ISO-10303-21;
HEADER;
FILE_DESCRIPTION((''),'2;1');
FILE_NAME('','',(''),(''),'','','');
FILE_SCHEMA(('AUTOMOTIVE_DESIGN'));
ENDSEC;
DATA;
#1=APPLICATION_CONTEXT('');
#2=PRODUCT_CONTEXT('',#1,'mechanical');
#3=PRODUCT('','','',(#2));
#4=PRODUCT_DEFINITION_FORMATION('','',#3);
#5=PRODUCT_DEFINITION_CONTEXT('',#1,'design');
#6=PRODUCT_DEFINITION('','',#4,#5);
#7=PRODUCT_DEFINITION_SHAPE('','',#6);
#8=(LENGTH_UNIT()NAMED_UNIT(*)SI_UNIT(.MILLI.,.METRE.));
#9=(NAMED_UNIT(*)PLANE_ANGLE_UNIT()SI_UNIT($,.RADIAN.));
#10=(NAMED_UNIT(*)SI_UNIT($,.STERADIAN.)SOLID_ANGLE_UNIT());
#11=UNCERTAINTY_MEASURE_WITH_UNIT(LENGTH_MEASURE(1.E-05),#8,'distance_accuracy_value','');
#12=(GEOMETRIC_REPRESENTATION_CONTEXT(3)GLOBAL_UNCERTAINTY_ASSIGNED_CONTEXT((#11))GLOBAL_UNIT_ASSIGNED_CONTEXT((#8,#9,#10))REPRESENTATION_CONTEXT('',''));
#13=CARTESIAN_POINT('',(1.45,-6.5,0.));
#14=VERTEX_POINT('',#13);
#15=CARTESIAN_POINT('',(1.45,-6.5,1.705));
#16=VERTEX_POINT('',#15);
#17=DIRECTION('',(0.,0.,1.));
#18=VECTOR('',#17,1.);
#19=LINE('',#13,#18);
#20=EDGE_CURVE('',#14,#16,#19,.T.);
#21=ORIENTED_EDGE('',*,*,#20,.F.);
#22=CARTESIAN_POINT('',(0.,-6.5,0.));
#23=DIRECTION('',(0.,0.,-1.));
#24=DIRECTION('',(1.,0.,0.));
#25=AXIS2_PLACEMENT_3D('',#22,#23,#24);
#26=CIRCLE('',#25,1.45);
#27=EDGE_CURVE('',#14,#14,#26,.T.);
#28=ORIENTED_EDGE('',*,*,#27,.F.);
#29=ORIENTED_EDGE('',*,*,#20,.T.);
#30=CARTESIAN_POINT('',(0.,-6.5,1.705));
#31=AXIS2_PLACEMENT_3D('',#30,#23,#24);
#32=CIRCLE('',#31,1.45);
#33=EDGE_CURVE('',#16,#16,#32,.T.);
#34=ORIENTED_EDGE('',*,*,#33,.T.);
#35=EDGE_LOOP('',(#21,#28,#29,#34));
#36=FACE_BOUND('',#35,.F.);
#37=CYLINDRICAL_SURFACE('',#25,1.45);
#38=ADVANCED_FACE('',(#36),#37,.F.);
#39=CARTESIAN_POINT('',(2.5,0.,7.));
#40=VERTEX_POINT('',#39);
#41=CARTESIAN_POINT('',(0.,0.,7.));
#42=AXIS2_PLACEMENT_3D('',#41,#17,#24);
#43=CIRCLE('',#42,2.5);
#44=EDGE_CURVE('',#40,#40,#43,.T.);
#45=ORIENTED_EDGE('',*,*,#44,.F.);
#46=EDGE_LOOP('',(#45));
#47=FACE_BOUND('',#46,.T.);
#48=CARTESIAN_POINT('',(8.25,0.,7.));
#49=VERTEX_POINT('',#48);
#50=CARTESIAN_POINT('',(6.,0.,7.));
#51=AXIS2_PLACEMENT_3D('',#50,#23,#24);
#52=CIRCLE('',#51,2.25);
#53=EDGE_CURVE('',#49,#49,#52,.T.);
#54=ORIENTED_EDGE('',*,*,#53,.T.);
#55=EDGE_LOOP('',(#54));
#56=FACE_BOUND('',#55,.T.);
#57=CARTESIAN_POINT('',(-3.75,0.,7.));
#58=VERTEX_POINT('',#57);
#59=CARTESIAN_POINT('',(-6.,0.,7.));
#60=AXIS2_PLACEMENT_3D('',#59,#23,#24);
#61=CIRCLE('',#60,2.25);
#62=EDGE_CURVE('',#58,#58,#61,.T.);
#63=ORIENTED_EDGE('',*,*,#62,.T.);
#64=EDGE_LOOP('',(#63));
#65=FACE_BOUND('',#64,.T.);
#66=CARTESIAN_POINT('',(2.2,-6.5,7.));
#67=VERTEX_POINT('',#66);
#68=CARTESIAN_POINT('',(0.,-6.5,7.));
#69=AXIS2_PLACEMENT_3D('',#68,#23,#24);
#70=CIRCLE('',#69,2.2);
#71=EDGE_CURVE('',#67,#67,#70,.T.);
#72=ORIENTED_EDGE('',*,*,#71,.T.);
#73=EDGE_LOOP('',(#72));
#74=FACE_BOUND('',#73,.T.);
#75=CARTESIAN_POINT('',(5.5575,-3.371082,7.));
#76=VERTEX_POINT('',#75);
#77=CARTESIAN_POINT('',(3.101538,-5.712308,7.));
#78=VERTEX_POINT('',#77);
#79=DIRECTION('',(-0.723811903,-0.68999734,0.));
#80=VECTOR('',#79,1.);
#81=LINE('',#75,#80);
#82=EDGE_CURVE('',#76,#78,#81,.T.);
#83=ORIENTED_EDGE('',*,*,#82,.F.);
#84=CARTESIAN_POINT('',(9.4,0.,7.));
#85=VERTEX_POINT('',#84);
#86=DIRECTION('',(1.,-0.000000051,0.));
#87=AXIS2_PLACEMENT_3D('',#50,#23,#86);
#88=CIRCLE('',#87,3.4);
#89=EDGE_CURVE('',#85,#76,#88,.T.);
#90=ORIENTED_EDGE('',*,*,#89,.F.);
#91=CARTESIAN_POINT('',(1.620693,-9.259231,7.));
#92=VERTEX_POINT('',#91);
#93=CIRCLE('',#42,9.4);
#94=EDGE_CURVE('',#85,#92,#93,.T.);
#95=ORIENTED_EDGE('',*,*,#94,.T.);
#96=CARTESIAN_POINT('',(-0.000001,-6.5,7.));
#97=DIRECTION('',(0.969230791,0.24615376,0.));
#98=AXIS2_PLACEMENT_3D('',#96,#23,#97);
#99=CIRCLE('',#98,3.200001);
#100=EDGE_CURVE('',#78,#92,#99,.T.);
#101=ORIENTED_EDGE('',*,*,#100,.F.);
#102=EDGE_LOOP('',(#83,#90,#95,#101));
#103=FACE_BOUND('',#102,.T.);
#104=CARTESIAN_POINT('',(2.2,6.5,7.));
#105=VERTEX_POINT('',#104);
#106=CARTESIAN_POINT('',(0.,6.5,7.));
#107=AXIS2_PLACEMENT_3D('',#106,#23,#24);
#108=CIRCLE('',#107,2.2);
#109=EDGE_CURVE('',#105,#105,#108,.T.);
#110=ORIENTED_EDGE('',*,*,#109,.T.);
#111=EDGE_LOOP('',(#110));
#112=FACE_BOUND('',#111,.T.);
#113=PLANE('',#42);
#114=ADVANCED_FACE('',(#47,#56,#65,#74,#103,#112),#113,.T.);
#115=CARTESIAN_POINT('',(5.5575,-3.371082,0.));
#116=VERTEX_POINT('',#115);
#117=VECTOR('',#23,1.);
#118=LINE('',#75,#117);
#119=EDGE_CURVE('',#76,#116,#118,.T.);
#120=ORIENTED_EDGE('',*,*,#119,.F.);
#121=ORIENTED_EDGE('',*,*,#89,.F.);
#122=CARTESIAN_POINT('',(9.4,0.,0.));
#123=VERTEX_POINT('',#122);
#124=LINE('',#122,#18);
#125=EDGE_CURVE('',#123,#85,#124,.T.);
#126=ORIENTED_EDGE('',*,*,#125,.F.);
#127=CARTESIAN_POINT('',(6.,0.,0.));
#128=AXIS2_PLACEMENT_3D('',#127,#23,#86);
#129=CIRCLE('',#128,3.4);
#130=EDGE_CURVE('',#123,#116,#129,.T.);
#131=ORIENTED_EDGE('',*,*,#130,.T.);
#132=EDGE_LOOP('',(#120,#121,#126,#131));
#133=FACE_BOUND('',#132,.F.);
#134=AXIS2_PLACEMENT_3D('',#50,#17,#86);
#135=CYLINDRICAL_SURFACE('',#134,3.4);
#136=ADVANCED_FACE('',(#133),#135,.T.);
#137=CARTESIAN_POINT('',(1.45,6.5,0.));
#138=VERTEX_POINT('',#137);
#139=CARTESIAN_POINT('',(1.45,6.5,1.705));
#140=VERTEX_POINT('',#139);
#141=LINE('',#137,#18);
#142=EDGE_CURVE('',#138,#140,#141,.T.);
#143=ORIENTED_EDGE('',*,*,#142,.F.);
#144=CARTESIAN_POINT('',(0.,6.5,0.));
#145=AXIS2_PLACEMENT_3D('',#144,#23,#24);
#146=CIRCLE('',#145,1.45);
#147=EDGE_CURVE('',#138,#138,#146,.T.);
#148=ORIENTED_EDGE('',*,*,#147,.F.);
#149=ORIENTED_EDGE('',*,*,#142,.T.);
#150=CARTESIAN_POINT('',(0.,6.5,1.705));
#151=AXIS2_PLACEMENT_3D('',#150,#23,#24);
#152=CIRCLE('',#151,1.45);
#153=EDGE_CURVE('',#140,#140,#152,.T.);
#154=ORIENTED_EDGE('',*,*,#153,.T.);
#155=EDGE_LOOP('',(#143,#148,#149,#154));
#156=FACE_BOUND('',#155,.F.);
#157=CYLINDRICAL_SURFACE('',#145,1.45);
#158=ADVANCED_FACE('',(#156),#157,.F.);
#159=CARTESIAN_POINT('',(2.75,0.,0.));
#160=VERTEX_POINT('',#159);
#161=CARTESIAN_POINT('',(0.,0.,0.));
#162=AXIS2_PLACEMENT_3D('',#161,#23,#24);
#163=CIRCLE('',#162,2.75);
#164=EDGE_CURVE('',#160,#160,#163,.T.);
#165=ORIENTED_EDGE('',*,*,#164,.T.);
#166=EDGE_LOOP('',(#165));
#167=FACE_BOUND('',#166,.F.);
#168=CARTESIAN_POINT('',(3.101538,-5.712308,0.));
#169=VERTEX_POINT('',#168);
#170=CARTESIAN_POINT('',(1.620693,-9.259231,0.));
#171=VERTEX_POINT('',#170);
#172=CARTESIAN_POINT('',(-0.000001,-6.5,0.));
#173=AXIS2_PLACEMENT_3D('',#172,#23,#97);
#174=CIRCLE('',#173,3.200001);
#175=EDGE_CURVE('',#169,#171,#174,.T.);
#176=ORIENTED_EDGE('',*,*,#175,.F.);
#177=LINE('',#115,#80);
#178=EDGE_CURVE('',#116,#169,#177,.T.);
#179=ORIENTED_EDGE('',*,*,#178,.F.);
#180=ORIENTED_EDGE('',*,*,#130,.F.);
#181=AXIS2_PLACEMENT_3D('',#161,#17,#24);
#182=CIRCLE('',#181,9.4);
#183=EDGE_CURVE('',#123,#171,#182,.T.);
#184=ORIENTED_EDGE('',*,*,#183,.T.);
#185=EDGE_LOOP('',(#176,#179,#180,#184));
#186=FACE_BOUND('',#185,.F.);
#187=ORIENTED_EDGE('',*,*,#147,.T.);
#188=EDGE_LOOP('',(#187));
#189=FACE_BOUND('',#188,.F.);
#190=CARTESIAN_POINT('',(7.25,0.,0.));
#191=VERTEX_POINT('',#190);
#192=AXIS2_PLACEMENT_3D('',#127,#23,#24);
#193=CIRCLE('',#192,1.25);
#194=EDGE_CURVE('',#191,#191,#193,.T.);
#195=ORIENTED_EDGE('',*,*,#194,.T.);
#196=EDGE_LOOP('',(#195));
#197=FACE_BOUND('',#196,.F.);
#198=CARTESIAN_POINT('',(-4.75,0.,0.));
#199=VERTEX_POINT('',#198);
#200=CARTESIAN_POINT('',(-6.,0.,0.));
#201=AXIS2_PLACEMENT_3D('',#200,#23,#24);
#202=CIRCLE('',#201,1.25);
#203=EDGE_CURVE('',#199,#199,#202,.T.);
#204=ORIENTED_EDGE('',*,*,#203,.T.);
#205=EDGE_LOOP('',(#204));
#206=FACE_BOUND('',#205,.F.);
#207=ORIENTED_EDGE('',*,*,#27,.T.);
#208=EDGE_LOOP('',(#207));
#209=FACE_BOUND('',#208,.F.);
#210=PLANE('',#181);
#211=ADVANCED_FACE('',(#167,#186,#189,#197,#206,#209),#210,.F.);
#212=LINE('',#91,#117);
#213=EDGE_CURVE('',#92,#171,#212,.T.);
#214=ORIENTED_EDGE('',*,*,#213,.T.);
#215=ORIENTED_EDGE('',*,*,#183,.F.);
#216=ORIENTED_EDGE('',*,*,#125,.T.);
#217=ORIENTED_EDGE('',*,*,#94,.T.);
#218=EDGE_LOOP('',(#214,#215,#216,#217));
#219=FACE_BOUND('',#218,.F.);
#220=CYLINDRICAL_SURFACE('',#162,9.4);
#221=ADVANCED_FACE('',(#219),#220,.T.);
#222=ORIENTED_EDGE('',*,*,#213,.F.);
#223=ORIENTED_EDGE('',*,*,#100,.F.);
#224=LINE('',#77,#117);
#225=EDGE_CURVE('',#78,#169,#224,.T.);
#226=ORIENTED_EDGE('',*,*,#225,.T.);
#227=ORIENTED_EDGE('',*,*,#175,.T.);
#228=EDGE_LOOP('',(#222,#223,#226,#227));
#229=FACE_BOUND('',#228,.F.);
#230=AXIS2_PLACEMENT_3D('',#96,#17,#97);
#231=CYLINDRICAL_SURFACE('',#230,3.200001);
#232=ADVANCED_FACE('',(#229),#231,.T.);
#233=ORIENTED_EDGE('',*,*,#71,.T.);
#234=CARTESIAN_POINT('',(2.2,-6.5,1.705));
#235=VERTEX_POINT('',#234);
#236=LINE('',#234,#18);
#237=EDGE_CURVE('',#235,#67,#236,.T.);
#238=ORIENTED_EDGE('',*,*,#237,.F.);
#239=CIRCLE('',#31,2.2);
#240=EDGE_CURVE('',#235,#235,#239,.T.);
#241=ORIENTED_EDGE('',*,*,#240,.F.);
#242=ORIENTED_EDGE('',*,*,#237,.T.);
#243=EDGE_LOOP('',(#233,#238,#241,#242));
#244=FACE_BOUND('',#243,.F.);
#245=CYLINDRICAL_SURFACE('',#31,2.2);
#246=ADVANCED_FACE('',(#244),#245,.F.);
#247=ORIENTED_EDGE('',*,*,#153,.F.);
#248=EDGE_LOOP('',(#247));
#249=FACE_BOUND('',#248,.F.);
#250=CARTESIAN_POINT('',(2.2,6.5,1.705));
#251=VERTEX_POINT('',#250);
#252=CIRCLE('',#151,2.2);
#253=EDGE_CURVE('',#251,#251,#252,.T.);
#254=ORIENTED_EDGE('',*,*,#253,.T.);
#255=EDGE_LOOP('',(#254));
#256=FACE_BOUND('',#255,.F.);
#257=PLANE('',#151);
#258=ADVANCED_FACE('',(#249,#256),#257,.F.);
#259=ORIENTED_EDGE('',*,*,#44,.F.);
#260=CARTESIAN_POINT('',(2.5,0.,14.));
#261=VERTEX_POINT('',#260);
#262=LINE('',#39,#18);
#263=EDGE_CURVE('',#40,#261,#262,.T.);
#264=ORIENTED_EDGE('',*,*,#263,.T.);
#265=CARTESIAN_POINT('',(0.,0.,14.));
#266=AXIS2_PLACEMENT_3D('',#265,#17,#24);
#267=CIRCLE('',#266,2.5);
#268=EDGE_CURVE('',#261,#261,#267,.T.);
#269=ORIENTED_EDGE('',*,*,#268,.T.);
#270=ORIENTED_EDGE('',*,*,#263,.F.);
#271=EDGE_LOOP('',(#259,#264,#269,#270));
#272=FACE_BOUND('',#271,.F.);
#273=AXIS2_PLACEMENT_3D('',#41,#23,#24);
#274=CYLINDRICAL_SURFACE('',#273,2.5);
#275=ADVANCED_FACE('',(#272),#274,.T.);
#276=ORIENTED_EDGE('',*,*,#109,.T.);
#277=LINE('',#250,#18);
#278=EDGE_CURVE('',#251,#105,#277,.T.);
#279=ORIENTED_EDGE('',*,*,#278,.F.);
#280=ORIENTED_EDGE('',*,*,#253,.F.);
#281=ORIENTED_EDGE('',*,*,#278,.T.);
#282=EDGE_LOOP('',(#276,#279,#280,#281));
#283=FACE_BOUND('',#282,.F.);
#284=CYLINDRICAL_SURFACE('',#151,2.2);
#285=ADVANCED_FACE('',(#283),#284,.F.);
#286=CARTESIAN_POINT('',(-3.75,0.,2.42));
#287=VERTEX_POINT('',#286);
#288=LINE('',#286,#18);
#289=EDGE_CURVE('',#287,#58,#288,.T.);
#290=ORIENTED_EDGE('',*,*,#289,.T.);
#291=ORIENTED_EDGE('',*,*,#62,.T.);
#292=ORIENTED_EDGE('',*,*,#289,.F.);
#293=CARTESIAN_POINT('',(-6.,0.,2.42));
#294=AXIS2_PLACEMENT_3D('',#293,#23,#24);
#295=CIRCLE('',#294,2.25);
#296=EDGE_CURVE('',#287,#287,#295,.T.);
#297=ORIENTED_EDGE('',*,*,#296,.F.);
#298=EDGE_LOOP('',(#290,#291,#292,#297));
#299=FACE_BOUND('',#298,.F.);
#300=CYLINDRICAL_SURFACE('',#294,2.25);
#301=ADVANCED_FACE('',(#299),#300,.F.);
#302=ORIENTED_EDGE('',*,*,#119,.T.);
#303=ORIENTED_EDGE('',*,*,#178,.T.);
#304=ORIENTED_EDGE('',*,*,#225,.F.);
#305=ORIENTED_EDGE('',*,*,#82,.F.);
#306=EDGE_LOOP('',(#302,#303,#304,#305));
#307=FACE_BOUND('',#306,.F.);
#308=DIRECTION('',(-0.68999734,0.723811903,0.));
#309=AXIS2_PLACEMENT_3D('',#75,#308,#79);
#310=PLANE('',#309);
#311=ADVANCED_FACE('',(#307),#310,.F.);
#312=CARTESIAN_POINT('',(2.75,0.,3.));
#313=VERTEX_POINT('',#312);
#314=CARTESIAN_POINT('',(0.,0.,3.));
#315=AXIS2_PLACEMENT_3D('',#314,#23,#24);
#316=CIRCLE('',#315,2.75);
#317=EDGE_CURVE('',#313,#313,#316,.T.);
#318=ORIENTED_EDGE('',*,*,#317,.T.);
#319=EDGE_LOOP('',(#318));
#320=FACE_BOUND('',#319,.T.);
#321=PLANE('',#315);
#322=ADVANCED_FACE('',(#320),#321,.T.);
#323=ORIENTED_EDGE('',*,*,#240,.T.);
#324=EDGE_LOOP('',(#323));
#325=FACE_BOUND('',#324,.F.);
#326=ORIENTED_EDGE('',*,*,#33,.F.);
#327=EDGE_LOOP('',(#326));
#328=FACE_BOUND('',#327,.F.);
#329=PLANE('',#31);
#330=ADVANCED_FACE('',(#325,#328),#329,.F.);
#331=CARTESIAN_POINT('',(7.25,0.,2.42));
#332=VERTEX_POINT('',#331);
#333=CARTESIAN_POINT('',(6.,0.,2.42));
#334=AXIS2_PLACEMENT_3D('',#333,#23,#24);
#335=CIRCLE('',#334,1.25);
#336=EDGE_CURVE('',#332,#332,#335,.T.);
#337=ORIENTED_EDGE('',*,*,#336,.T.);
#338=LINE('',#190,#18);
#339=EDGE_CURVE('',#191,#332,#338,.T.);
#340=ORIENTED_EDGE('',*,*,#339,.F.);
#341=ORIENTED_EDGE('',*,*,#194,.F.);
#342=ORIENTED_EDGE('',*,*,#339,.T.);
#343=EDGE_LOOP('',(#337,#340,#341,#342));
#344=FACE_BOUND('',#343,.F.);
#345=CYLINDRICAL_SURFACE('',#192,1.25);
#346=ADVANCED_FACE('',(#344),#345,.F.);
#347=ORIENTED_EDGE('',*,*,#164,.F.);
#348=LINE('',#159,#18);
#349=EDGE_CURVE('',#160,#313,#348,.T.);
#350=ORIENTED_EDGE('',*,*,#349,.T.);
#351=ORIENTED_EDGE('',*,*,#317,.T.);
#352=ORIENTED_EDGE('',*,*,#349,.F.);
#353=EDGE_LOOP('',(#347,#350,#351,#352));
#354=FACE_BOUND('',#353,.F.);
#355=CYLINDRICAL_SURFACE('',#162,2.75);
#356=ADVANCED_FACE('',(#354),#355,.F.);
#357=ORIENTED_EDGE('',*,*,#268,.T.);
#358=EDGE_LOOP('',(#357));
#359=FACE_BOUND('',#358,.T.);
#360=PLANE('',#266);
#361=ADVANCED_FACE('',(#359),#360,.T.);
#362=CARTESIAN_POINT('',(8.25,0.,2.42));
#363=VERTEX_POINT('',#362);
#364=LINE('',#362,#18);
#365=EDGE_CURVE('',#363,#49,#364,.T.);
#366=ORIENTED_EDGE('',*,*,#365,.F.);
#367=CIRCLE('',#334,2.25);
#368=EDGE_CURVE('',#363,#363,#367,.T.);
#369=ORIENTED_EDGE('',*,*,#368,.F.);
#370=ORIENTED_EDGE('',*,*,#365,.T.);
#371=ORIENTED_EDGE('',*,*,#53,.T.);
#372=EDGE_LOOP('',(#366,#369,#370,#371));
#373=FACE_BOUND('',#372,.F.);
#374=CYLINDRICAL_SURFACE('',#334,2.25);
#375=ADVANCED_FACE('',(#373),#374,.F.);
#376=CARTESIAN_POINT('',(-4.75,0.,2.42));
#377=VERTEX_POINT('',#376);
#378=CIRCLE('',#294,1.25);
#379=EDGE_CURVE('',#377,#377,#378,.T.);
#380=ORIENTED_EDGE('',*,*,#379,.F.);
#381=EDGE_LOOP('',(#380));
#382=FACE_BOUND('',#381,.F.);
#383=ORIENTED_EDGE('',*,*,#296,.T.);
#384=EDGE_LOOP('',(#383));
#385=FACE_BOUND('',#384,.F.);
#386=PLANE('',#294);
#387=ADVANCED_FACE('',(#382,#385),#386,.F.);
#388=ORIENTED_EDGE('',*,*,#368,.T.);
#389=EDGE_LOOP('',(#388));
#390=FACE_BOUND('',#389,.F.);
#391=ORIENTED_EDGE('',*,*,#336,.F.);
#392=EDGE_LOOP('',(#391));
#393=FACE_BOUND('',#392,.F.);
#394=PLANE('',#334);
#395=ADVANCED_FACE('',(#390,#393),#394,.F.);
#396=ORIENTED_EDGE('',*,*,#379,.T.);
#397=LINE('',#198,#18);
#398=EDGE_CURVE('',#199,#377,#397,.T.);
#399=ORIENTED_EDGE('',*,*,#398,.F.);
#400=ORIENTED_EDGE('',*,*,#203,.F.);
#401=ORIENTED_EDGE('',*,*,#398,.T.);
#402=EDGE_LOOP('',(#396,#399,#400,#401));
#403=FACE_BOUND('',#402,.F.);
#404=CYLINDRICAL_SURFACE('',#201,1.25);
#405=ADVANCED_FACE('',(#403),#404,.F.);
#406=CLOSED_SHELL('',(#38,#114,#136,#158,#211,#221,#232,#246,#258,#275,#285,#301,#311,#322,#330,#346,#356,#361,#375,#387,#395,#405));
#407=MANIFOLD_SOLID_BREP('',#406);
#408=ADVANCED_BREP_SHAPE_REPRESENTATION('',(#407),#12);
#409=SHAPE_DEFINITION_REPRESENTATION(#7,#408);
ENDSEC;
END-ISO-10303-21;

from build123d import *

# Parameters (mm, degrees)
F0_R      = 9.4
F1_DEPTH  = 7
F2_R      = 2.5
F3_DEPTH  = 7
F4_R      = 1.25
F5_DEPTH  = 2.42
F6_R      = 2.25
F7_DEPTH  = 4.58
F8_R      = 1.45
F9_DEPTH  = 1.705
F10_R     = 2.2
F11_DEPTH = 5.295
F12_R     = 2.75
F13_DEPTH = 3
F15_DEPTH = 7


with BuildPart() as f1:
    # F0 (on Top) → F1 (new body)
    with BuildSketch(Plane.XY):
        Circle(F0_R)
    extrude(amount=F1_DEPTH)

    # F2 (on face) → F3 (join)
    with BuildSketch(Plane.XY.offset(7)):
        Circle(F2_R)
    extrude(amount=F3_DEPTH)

    # F4 (on face) → F5 (cut)
    with BuildSketch(Plane(origin=(0, 0, 0), x_dir=(1, 0, 0), z_dir=(0, 0, -1))):
        with Locations((6, 0)):
            Circle(F4_R)
        with Locations((-6, 0)):
            Circle(F4_R)
    extrude(amount=-F5_DEPTH, mode=Mode.SUBTRACT)

    # F6 (on face) → F7 (cut, through all)
    with BuildSketch(Plane(origin=(0, 0, 2.42), x_dir=(1, 0, 0), z_dir=(0, 0, -1))):
        with Locations((-6, 0)):
            Circle(F6_R)
        with Locations((6, 0)):
            Circle(F6_R)
    extrude(amount=-F7_DEPTH, mode=Mode.SUBTRACT)

    # F8 (on face) → F9 (cut)
    with BuildSketch(Plane(origin=(0, 0, 0), x_dir=(1, 0, 0), z_dir=(0, 0, -1))):
        with Locations((0, -6.5)):
            Circle(F8_R)
        with Locations((0, 6.5)):
            Circle(F8_R)
    extrude(amount=-F9_DEPTH, mode=Mode.SUBTRACT)

    # F10 (on face) → F11 (cut, through all)
    with BuildSketch(Plane(origin=(0, 0, 1.705), x_dir=(1, 0, 0), z_dir=(0, 0, -1))):
        with Locations((0, -6.5)):
            Circle(F10_R)
        with Locations((0, 6.5)):
            Circle(F10_R)
    extrude(amount=-F11_DEPTH, mode=Mode.SUBTRACT)

    # F12 (on face) → F13 (cut)
    with BuildSketch(Plane(origin=(0, 0, 0), x_dir=(1, 0, 0), z_dir=(0, 0, -1))):
        Circle(F12_R)
    extrude(amount=-F13_DEPTH, mode=Mode.SUBTRACT)

    # F14 (on face) → F15 (cut, through all)
    with BuildSketch(Plane.XY.offset(7)):
        with BuildLine():
            ThreePointArc((3.101538, -5.712308), (2.95297, -7.732869), (1.620693, -9.259231))
            ThreePointArc((1.620693, -9.259231), (7.197031, -6.046713), (9.4, 0))
            ThreePointArc((9.4, 0), (8.242264, -2.555827), (5.5575, -3.371082))
            Line((5.5575, -3.371082), (3.101538, -5.712308))
        make_face()
    extrude(amount=-F15_DEPTH, mode=Mode.SUBTRACT)


solid = f1.part
